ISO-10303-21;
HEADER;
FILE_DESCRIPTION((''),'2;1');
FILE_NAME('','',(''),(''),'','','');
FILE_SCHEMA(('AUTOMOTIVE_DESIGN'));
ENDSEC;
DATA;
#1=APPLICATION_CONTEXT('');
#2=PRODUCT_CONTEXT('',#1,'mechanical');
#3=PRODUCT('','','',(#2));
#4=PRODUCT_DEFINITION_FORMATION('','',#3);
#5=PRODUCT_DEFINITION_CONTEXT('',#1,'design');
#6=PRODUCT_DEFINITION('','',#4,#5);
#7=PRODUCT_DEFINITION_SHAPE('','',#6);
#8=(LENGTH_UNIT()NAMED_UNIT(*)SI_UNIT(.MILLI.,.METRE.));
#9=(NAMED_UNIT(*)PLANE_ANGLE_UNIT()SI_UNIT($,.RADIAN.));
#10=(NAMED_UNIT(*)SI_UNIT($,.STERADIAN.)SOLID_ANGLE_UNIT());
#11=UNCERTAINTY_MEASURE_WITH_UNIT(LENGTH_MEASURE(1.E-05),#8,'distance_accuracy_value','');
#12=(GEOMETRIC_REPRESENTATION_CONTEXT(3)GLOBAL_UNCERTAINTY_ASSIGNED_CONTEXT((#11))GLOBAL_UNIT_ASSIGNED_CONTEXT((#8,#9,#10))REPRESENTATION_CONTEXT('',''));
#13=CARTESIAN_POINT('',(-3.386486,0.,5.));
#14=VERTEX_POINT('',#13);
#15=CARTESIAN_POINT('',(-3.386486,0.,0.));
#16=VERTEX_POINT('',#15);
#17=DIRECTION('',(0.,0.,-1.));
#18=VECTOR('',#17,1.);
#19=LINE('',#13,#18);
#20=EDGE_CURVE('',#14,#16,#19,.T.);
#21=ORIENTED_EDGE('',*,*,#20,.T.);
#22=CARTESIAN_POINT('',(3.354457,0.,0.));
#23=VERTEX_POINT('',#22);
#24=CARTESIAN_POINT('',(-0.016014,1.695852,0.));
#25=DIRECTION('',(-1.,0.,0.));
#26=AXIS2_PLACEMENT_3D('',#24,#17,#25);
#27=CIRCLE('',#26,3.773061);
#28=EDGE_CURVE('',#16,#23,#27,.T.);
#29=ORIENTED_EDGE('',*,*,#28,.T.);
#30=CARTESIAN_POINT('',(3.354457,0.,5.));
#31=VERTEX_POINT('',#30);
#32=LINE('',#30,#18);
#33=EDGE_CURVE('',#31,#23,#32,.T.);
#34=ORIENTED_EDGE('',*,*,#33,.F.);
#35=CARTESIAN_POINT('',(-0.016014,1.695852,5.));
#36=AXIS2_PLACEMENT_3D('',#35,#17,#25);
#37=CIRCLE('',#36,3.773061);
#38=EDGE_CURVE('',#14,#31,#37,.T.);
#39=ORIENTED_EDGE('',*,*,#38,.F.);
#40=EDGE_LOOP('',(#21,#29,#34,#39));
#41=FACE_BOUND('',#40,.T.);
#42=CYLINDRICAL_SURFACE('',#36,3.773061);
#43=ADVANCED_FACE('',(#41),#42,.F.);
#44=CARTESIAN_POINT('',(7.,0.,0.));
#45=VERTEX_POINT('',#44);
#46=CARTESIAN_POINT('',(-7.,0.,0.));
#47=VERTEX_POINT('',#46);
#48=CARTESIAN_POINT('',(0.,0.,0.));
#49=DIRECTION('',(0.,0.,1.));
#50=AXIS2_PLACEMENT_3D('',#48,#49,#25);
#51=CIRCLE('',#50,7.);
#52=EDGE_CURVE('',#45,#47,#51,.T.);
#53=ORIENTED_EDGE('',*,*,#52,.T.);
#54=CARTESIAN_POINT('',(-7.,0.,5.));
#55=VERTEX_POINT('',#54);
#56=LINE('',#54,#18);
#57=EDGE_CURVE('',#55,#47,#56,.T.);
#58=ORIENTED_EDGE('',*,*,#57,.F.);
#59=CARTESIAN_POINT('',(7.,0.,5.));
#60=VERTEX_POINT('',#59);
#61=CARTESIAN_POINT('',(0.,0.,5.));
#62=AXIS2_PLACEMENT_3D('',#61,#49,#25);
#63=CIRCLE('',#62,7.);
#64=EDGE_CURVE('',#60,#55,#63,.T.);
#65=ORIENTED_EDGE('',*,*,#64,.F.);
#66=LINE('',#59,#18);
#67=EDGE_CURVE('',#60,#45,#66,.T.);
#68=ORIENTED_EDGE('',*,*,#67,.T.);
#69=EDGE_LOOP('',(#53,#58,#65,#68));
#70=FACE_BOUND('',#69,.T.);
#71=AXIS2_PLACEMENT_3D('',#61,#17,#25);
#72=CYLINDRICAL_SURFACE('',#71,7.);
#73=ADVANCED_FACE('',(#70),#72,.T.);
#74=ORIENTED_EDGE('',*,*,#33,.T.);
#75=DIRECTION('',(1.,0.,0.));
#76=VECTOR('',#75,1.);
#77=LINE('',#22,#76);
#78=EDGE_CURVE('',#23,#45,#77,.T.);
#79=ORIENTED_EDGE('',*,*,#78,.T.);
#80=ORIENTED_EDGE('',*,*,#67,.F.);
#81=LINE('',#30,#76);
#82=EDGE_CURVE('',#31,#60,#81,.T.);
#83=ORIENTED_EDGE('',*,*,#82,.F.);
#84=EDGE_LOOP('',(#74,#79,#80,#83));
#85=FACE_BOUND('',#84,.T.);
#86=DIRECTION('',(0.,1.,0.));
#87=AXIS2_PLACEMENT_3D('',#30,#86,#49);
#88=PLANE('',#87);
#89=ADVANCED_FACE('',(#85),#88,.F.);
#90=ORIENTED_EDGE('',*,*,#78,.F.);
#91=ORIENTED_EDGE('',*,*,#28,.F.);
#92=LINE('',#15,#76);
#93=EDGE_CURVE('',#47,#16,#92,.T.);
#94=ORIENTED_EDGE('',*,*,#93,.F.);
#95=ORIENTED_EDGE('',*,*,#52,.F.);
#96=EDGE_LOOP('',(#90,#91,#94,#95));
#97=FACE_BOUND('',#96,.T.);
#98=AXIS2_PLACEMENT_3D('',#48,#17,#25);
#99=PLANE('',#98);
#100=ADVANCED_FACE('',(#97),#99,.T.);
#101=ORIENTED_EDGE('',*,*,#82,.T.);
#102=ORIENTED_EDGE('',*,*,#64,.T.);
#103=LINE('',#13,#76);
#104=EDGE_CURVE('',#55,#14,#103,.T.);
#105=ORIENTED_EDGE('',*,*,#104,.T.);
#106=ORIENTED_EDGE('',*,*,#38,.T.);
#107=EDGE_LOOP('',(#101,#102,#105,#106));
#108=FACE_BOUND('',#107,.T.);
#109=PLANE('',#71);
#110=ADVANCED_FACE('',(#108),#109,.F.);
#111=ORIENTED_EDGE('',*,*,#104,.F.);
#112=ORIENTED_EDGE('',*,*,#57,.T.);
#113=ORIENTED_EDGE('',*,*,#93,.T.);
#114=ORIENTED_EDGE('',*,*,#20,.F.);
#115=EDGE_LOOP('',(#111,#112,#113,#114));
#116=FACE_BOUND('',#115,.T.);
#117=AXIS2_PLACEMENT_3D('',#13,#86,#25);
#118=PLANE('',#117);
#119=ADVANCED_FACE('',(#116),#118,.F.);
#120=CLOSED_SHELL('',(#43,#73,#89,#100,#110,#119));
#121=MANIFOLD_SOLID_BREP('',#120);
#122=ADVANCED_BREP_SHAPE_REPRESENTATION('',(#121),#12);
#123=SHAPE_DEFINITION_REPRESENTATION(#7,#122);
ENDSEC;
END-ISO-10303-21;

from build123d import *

# Parameters (mm, degrees)
BOSS_EXTRU_1_DEPTH = 5


with BuildPart() as part:
    # Esquisse1 → Boss.-Extru.1 (new body)
    with BuildSketch(Plane.XY):
        with BuildLine():
            Line((-3.386485683, 0), (-7, 0))
            ThreePointArc((-7, 0), (0, 7), (7, 0))
            Line((7, 0), (3.354457295, 0))
            ThreePointArc((3.354457295, 0), (-0.016014194, 5.468913046), (-3.386485683, 0))
        make_face()
    extrude(amount=BOSS_EXTRU_1_DEPTH)


solid = part.part
